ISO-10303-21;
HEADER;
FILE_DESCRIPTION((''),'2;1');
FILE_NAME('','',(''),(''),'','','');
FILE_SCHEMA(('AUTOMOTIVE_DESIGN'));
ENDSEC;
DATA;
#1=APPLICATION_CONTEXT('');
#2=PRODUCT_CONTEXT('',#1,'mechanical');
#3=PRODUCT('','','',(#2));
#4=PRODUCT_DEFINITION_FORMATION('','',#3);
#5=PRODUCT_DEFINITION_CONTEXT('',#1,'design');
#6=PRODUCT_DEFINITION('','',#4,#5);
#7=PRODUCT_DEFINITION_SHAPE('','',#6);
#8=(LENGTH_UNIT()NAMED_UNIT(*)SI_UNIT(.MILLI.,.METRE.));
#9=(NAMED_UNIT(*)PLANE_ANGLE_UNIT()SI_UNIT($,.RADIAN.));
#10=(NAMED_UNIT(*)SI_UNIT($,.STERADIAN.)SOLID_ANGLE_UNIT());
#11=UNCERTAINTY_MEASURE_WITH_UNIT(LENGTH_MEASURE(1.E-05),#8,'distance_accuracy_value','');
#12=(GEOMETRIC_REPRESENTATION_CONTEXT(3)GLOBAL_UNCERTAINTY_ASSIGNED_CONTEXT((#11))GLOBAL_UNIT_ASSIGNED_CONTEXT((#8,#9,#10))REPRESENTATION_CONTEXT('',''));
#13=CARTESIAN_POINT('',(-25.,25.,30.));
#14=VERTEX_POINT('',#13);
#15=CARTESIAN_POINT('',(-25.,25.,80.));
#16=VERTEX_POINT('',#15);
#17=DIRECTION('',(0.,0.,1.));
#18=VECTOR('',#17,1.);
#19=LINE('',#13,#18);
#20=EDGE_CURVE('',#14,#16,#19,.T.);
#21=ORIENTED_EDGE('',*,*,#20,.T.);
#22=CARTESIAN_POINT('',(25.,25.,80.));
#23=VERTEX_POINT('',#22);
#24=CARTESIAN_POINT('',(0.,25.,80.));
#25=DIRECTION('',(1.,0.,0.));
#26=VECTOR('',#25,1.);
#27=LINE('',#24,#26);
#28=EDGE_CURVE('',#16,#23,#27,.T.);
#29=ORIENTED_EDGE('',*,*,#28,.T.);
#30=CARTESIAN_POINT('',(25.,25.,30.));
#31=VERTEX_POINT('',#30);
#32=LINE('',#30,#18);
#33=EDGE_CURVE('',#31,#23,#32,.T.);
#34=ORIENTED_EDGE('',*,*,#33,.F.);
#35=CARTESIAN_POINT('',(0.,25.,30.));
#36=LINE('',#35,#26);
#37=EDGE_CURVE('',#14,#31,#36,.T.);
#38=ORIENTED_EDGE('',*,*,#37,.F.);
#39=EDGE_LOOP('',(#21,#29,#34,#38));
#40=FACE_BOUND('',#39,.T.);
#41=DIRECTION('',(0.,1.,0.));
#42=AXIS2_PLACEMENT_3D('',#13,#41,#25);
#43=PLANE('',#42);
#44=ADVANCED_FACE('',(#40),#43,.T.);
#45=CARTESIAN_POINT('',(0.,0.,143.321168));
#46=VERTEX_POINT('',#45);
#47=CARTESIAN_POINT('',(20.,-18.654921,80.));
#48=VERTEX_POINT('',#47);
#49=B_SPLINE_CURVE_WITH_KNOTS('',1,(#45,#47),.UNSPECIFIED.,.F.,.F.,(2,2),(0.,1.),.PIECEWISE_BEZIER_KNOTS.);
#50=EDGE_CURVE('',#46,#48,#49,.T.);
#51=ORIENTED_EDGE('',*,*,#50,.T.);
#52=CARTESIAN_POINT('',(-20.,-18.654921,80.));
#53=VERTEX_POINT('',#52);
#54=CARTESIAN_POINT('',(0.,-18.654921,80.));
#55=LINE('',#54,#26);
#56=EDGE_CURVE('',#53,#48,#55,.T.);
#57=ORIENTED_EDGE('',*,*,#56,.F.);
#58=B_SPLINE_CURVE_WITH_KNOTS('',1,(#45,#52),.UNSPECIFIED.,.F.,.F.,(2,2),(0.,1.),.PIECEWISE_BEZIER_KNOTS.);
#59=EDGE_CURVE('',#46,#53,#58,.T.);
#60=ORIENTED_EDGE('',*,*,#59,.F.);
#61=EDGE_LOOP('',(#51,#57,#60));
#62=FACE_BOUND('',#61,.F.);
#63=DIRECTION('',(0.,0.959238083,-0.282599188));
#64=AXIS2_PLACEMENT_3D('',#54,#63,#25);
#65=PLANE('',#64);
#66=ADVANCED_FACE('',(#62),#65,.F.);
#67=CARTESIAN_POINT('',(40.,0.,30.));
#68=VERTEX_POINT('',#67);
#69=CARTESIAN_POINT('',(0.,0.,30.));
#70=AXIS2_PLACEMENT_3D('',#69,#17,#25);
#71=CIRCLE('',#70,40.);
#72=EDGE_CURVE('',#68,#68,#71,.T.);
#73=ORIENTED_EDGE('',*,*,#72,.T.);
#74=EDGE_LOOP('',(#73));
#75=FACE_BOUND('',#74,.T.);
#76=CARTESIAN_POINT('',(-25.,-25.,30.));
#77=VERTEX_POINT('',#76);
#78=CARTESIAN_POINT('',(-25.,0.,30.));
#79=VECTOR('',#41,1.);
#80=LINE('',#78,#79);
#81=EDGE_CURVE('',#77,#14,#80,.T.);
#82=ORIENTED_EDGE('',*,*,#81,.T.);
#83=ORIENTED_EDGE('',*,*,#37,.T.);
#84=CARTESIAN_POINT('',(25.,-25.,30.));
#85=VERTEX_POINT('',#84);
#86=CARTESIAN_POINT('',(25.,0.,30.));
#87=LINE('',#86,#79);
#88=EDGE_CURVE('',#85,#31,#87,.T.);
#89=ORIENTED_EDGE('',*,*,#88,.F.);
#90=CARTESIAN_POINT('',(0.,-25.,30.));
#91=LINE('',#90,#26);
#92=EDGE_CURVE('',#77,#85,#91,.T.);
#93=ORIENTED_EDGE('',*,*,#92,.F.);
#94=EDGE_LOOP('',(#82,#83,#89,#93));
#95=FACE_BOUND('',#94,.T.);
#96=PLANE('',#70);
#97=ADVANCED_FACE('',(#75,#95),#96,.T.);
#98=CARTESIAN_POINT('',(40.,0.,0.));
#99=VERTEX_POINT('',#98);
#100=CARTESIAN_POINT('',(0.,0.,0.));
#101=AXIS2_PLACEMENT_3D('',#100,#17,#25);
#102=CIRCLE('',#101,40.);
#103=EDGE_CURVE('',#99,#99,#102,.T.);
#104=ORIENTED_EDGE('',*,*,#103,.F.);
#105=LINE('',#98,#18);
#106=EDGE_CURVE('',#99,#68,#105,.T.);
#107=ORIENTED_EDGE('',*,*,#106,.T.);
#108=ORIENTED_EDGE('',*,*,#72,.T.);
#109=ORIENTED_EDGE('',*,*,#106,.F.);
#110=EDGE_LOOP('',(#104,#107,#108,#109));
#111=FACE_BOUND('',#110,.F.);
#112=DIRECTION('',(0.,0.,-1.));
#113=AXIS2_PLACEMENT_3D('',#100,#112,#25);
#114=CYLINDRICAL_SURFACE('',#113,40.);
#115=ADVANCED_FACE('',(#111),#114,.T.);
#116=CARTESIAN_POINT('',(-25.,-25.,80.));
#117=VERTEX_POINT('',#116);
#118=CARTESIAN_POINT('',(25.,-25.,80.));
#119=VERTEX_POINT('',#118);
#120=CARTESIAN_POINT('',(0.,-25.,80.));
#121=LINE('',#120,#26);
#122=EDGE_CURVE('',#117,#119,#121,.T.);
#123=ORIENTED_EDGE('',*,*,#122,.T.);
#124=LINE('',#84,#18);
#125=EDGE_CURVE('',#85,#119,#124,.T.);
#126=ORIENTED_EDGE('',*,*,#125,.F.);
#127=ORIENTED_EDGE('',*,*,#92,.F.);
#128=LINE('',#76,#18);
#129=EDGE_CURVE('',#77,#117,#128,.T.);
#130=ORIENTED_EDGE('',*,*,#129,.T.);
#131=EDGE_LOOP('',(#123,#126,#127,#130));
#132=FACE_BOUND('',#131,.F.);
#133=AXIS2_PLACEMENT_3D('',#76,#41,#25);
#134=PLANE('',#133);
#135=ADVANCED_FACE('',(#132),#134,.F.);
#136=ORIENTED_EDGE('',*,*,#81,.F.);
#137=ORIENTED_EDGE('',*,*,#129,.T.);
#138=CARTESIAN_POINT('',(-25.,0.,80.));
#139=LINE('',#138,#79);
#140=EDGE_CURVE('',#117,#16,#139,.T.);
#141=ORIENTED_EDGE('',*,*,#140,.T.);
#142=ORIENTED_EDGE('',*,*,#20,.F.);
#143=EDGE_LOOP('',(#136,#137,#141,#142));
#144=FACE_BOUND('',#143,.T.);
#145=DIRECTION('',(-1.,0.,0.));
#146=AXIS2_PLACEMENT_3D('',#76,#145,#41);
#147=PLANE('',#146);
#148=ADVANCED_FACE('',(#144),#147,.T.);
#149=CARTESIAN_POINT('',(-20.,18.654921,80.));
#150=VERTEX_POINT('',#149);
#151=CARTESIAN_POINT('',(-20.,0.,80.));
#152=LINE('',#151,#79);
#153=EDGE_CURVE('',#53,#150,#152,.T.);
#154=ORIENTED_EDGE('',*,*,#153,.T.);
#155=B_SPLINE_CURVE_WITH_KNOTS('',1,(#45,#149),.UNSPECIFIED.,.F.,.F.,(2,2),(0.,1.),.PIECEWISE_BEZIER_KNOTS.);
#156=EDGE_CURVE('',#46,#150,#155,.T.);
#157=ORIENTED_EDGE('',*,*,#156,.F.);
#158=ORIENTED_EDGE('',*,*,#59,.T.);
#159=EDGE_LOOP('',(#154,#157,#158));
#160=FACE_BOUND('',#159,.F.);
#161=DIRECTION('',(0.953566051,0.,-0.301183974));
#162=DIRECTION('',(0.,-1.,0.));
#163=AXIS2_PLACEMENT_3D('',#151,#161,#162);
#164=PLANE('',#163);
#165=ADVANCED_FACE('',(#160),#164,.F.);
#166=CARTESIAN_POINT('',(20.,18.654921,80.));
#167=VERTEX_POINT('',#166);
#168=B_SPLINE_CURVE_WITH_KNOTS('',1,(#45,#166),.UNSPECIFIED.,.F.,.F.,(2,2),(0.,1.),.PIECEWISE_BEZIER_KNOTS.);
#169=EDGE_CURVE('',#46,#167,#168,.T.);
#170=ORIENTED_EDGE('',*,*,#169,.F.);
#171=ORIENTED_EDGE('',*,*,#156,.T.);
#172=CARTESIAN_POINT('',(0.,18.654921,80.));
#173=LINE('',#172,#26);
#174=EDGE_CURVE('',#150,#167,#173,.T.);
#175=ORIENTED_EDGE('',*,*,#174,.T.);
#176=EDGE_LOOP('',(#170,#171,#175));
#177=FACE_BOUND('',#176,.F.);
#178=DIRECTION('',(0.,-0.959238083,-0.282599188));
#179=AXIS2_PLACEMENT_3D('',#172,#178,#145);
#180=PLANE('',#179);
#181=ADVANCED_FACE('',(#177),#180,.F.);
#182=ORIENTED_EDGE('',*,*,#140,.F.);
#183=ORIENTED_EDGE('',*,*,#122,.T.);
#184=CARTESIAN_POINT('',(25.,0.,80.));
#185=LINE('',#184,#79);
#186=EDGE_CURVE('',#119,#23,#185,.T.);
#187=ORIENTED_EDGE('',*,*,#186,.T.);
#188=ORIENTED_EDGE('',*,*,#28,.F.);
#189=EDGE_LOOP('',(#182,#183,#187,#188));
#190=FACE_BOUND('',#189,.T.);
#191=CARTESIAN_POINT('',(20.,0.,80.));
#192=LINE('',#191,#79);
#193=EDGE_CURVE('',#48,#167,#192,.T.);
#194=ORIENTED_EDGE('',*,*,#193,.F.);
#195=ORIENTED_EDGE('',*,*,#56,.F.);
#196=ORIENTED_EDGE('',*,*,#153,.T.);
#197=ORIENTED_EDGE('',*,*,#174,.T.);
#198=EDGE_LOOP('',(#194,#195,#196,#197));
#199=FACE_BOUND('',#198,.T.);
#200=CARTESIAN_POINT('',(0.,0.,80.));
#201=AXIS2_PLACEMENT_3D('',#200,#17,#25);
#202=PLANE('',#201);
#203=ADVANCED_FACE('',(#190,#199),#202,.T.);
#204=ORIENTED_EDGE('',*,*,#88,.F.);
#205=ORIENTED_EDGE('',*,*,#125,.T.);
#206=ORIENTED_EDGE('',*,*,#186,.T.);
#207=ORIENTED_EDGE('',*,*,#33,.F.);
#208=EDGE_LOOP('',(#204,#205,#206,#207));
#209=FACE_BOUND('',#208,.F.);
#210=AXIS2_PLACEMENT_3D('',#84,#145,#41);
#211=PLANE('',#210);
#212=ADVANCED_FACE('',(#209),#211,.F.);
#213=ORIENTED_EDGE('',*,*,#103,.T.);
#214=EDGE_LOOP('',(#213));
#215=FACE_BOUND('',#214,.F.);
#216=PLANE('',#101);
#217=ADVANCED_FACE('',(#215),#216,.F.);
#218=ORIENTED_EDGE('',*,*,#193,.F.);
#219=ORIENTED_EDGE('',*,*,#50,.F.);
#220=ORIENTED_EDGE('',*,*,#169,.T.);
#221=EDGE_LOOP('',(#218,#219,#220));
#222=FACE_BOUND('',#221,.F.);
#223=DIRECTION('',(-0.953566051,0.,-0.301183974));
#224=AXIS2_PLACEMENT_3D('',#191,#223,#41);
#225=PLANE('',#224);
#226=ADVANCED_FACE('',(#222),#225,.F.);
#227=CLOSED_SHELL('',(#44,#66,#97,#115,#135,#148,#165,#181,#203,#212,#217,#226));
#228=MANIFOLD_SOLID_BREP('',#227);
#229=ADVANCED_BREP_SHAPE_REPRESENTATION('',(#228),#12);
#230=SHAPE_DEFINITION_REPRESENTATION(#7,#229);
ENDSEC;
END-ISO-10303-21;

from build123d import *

# Parameters (mm, degrees)
F0_R     = 40
F1_DEPTH = 30
F2_W     = 50
F2_H     = 50
F3_DEPTH = 50
F4_W     = 40
F4_H     = 37.309842


with BuildPart() as f1:
    # F0 (on Top) → F1 (new body)
    with BuildSketch(Plane.XY):
        Circle(F0_R)
    extrude(amount=F1_DEPTH)

    # F2 (on face) → F3 (join)
    with BuildSketch(Plane.XY.offset(30)):
        Rectangle(F2_W, F2_H)
    extrude(amount=F3_DEPTH)

    # F4 (on face) → F6 section 0
    with BuildSketch(Plane.XY.offset(80), mode=Mode.PRIVATE) as f6_s0:
        Rectangle(F4_W, F4_H)
    loft([Vertex(0, 0, 143.321168), f6_s0.sketch])


solid = f1.part
